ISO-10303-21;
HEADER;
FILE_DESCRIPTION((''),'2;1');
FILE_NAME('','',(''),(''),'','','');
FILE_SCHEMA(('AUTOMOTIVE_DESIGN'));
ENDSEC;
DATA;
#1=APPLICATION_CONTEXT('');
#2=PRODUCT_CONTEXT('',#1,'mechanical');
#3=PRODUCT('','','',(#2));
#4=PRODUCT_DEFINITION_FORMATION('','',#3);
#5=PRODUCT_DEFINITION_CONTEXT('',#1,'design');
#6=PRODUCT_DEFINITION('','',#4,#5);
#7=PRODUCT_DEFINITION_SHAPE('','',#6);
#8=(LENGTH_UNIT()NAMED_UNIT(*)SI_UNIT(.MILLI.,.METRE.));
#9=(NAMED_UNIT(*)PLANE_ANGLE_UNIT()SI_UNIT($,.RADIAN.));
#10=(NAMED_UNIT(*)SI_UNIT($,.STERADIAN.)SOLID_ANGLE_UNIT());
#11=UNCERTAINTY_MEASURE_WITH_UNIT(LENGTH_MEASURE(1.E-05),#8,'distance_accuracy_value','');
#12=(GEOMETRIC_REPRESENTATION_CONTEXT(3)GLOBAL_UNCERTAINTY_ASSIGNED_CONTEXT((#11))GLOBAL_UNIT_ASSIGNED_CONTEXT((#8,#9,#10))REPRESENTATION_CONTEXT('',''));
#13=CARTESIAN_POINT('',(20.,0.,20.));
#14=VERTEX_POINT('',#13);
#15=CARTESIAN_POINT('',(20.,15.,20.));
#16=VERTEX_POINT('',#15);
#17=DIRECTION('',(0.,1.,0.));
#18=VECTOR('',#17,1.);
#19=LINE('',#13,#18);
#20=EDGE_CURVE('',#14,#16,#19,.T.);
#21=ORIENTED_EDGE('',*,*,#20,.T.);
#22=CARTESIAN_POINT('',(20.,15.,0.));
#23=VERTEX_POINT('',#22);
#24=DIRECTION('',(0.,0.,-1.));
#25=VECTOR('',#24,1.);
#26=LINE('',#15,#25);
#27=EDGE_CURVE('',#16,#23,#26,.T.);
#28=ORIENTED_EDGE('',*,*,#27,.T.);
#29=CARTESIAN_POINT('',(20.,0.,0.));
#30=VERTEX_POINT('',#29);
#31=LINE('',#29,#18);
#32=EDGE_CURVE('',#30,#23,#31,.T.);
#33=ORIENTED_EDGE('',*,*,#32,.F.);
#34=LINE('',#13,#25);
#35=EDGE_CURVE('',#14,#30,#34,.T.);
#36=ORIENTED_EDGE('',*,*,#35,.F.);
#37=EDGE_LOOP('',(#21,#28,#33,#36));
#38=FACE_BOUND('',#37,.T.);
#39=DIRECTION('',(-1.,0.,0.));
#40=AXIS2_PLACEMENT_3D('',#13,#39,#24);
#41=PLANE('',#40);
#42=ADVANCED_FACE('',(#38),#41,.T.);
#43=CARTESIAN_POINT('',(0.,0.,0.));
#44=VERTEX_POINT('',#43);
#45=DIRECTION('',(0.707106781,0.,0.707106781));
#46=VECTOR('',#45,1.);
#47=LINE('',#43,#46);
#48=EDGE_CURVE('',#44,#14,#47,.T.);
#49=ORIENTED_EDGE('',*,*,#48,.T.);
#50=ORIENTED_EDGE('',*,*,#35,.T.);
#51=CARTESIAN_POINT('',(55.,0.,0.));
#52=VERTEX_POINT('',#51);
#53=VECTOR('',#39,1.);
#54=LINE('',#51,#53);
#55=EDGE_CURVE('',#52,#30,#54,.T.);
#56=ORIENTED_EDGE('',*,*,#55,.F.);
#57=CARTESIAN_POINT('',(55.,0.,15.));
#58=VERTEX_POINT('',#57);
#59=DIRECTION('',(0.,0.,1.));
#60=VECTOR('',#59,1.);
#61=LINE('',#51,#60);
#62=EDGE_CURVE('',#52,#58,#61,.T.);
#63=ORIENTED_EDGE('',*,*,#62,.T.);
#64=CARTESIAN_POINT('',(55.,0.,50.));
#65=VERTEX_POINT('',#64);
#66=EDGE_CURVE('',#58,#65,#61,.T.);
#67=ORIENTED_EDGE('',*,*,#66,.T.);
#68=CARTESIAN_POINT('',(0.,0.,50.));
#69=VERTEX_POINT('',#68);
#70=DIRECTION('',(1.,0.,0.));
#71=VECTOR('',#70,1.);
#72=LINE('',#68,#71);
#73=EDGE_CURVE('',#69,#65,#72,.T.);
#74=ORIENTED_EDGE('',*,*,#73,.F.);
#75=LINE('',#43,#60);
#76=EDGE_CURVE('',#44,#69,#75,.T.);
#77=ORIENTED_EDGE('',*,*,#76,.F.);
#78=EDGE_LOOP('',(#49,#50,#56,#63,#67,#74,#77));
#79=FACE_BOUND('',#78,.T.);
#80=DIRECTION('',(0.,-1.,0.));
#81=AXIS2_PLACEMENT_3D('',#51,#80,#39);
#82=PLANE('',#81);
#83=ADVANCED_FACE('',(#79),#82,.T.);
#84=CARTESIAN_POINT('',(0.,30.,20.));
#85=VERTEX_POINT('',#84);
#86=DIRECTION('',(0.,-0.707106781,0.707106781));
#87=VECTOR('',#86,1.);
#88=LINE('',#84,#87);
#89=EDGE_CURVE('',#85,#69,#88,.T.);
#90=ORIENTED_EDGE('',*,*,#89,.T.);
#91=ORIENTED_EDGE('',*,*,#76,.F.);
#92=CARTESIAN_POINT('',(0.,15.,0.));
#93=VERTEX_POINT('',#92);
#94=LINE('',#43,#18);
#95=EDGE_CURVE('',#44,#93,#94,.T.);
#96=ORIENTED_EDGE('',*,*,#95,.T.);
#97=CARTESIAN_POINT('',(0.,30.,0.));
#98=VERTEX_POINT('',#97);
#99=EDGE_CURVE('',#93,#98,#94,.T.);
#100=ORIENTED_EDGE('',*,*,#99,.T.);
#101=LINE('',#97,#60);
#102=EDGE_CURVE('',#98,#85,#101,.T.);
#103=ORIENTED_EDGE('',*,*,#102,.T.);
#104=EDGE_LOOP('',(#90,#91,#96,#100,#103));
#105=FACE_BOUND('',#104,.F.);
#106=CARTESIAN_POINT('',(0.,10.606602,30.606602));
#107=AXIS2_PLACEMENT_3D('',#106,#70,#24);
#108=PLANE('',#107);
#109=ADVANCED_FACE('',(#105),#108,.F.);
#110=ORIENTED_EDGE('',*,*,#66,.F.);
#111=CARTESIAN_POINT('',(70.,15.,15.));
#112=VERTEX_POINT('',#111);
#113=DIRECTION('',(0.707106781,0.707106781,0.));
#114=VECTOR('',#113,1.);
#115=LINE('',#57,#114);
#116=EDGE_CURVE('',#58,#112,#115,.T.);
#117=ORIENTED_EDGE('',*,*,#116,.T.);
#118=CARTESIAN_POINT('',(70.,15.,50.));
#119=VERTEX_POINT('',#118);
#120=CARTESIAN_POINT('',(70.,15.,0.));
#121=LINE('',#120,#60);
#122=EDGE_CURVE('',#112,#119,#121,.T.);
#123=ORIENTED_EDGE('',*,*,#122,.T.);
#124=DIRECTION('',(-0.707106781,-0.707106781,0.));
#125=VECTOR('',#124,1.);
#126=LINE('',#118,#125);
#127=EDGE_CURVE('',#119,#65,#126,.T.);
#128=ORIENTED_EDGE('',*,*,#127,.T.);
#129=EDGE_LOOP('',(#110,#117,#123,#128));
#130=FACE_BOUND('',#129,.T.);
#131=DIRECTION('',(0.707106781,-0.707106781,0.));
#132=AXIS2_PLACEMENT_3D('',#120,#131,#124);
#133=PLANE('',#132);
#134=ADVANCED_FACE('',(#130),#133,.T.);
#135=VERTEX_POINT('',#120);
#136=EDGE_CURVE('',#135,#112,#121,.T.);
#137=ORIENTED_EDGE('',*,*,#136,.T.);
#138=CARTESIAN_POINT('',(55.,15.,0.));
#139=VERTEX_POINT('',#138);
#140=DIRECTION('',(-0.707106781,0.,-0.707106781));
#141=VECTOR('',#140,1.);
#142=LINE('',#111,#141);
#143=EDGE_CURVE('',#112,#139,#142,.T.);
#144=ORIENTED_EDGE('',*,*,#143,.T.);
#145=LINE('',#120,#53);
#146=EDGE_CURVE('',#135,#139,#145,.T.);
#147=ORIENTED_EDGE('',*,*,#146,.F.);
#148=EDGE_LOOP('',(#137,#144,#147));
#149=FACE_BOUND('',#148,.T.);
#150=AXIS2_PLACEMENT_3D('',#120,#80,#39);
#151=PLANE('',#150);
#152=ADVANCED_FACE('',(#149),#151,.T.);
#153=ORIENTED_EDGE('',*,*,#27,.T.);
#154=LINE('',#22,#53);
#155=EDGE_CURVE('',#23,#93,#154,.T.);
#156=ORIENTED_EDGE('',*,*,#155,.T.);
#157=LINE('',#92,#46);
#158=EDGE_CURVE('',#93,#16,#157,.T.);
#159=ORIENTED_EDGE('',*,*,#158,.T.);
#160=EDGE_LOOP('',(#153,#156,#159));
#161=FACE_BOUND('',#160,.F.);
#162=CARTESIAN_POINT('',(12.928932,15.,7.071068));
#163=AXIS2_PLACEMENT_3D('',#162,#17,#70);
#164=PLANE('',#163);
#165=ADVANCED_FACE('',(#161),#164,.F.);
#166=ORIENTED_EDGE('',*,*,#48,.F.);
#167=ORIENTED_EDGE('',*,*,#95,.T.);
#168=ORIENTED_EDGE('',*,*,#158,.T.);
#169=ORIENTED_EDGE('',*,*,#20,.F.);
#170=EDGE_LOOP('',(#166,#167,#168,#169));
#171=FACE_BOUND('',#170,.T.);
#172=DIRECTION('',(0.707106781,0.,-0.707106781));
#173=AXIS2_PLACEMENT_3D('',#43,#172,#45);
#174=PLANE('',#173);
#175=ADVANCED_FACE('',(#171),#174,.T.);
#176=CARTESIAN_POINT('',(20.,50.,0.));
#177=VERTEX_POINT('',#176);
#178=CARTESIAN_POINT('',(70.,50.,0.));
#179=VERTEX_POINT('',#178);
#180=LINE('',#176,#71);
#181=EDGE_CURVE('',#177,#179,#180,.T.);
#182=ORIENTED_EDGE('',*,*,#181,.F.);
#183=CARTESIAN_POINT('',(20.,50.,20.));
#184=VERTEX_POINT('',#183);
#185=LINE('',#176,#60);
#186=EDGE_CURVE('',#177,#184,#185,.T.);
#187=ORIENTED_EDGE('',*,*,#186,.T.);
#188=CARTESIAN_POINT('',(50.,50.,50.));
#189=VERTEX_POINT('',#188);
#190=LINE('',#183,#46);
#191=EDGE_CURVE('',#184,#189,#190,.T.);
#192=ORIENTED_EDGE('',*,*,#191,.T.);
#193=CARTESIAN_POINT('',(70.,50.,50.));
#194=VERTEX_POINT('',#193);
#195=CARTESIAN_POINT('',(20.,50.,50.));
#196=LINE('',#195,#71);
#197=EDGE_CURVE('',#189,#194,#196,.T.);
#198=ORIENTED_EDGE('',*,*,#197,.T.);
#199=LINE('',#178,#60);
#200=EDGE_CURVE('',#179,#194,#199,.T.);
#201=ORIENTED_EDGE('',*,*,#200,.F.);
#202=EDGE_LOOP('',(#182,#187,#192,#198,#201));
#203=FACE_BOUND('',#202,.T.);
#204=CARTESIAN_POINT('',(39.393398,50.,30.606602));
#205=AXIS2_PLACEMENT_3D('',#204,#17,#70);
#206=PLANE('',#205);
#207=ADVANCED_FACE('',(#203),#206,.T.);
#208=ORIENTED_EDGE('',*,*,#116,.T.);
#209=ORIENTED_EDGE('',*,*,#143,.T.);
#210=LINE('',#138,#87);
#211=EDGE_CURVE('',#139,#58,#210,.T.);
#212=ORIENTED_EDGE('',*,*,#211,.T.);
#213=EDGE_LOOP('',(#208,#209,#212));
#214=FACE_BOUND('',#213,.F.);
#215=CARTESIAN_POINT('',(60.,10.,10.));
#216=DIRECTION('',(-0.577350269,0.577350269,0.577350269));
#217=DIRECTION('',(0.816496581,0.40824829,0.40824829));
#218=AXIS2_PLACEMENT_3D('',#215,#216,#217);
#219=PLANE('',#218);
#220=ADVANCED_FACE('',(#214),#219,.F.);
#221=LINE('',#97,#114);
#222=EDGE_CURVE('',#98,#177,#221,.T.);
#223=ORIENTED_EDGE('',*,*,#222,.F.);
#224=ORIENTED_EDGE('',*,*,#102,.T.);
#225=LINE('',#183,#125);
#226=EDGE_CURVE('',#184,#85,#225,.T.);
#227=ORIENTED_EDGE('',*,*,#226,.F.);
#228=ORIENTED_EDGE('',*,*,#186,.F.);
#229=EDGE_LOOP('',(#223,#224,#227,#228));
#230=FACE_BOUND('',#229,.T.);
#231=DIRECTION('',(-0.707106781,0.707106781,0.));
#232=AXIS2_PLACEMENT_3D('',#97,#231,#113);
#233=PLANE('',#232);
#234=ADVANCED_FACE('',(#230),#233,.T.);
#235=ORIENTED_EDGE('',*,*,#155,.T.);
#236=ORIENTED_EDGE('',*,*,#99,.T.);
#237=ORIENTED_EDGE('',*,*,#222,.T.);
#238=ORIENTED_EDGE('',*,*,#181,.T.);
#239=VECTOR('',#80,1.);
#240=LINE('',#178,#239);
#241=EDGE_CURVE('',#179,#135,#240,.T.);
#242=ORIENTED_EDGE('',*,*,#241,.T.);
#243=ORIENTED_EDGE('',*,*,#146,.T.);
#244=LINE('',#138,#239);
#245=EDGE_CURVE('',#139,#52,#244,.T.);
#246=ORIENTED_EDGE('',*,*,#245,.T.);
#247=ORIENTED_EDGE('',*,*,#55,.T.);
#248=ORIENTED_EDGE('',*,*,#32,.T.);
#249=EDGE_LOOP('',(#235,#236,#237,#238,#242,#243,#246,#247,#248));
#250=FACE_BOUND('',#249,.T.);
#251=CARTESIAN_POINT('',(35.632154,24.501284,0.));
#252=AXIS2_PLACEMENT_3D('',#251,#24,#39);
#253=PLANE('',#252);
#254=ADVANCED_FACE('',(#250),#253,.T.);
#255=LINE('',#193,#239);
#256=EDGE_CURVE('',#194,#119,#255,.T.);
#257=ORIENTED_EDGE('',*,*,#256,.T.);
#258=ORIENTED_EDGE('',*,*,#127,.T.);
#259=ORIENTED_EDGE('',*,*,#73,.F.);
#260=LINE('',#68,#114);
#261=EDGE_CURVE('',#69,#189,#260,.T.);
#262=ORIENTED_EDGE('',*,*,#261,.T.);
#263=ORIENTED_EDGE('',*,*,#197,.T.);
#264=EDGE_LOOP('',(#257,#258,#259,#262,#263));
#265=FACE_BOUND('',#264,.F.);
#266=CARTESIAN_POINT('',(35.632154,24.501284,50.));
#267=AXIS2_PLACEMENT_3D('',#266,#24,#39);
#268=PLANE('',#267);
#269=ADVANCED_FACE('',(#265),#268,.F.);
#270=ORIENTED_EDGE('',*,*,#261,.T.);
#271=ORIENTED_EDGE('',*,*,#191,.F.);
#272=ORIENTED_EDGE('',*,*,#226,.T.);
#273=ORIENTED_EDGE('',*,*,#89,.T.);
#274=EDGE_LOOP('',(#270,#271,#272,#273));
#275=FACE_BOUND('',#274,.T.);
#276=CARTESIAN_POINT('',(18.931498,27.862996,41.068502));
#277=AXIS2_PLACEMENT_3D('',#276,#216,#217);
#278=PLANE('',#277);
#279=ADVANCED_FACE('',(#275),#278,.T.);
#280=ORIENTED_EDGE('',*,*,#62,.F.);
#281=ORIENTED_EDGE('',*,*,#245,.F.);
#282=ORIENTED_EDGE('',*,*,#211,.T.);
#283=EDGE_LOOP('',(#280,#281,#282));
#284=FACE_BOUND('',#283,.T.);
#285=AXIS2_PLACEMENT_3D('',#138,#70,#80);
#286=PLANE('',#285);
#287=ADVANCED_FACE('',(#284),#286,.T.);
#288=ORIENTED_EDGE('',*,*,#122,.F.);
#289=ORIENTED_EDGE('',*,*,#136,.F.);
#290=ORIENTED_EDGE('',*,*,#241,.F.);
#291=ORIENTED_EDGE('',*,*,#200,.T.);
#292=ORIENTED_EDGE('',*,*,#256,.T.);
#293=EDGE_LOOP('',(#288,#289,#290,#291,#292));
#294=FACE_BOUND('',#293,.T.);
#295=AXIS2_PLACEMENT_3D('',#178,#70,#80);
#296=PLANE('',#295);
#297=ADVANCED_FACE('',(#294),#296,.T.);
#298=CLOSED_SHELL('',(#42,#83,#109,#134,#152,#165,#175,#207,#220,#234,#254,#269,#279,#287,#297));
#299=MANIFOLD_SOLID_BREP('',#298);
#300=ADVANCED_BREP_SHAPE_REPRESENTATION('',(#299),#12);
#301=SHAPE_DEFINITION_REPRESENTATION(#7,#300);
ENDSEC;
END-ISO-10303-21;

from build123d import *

# Parameters (mm, degrees)
BOSS_EXTRUDE1_DEPTH = 50
CUT_EXTRUDE2_DEPTH  = 30
CUT_EXTRUDE3_DEPTH  = 15
BOSS_EXTRUDE4_DEPTH = 15
BOSS_EXTRUDE6_DEPTH = 52
BOSS_EXTRUDE7_DEPTH = 52
CUT_EXTRUDE6_DEPTH  = 52
BOSS_EXTRUDE8_DEPTH = 30
BOSS_EXTRUDE9_DEPTH = 15
CUT_EXTRUDE7_DEPTH  = 15
CUT_EXTRUDE8_DEPTH  = 15


with BuildPart() as part:
    # Sketch1 → Boss-Extrude1 (new body)
    with BuildSketch(Plane.XY):
        Polygon((0, 0), (0, 30), (20, 50), (70, 50), (70, 15), (55, 0), align=None)
    extrude(amount=BOSS_EXTRUDE1_DEPTH)

    # Sketch2 → Cut-Extrude2 (cut)
    with BuildSketch(Plane.XY.offset(50)):
        Polygon((0, 0), (50, 50), (20, 50), (0, 30), align=None)
    extrude(amount=-CUT_EXTRUDE2_DEPTH, mode=Mode.SUBTRACT)

    # Sketch4 → Cut-Extrude3 (cut)
    with BuildSketch(Plane(origin=(0, 0, 0), x_dir=(-1, 0, 0), z_dir=(0, 0, -1))):
        Polygon((-70, 15), (-55, 15), (-55, 0), align=None)
    extrude(amount=-CUT_EXTRUDE3_DEPTH, mode=Mode.SUBTRACT)

    # Sketch7 → Boss-Extrude4 (add)
    with BuildSketch(Plane(origin=(13.333333333, -13.333333333, -13.333333333), x_dir=(-0.816496581, -0.40824829, -0.40824829), z_dir=(0.577350269, -0.577350269, -0.577350269))):
        Polygon((-51.031036308, -10.606601718), (-69.402209379, 0), (-51.031036308, 10.606601718), align=None)
    extrude(amount=-BOSS_EXTRUDE4_DEPTH)

    # Sketch11 → Boss-Extrude6 (add)
    with BuildSketch(Plane.ZY):
        Polygon((20, 30), (50, 0), (20, 0), align=None)
    extrude(amount=-BOSS_EXTRUDE6_DEPTH)

    # Sketch12 → Boss-Extrude7 (add)
    with BuildSketch(Plane(origin=(0, 50, 0), x_dir=(1, 0, 0), z_dir=(0, 1, 0))):
        Polygon((20, -20), (50, -50), (50, -20), align=None)
    extrude(amount=-BOSS_EXTRUDE7_DEPTH)

    # Sketch13 → Cut-Extrude6 (cut)
    with BuildSketch(Plane.XZ):
        Polygon((20, 20), (50, 20), (50, 50), align=None)
    extrude(amount=CUT_EXTRUDE6_DEPTH, mode=Mode.SUBTRACT)

    # Sketch14 → Boss-Extrude8 (add)
    with BuildSketch(Plane(origin=(-16.666666667, 16.666666667, 16.666666667), x_dir=(-0.816496581, -0.40824829, -0.40824829), z_dir=(0.577350269, -0.577350269, -0.577350269))):
        Polygon((-20.412414523, 7.071067812), (-44.907311951, 21.213203436), (-81.649658093, 0), align=None)
    extrude(amount=BOSS_EXTRUDE8_DEPTH)

    # Sketch15 → Boss-Extrude9 (add)
    with BuildSketch(Plane(origin=(-16.666666667, 16.666666667, 16.666666667), x_dir=(0.816496581, 0.40824829, 0.40824829), z_dir=(-0.577350269, 0.577350269, 0.577350269))):
        Polygon((20.412414523, -35.355339059), (81.649658093, 0), (20.412414523, 7.071067812), align=None)
    extrude(amount=-BOSS_EXTRUDE9_DEPTH)

    # Sketch16 → Cut-Extrude7 (cut)
    with BuildSketch(Plane.XZ):
        Polygon((0, 50), (8.660254038, 32.679491924), (17.320508076, 41.339745962), align=None)
    extrude(amount=CUT_EXTRUDE7_DEPTH, mode=Mode.SUBTRACT)

    # Sketch17 → Cut-Extrude8 (cut)
    with BuildSketch(Plane(origin=(0, 0, 0), x_dir=(-1, 0, 0), z_dir=(0, -1, 0))):
        Polygon((0, 0), (-20, -20), (-20, 0), align=None)
    extrude(amount=-CUT_EXTRUDE8_DEPTH, mode=Mode.SUBTRACT)


solid = part.part
